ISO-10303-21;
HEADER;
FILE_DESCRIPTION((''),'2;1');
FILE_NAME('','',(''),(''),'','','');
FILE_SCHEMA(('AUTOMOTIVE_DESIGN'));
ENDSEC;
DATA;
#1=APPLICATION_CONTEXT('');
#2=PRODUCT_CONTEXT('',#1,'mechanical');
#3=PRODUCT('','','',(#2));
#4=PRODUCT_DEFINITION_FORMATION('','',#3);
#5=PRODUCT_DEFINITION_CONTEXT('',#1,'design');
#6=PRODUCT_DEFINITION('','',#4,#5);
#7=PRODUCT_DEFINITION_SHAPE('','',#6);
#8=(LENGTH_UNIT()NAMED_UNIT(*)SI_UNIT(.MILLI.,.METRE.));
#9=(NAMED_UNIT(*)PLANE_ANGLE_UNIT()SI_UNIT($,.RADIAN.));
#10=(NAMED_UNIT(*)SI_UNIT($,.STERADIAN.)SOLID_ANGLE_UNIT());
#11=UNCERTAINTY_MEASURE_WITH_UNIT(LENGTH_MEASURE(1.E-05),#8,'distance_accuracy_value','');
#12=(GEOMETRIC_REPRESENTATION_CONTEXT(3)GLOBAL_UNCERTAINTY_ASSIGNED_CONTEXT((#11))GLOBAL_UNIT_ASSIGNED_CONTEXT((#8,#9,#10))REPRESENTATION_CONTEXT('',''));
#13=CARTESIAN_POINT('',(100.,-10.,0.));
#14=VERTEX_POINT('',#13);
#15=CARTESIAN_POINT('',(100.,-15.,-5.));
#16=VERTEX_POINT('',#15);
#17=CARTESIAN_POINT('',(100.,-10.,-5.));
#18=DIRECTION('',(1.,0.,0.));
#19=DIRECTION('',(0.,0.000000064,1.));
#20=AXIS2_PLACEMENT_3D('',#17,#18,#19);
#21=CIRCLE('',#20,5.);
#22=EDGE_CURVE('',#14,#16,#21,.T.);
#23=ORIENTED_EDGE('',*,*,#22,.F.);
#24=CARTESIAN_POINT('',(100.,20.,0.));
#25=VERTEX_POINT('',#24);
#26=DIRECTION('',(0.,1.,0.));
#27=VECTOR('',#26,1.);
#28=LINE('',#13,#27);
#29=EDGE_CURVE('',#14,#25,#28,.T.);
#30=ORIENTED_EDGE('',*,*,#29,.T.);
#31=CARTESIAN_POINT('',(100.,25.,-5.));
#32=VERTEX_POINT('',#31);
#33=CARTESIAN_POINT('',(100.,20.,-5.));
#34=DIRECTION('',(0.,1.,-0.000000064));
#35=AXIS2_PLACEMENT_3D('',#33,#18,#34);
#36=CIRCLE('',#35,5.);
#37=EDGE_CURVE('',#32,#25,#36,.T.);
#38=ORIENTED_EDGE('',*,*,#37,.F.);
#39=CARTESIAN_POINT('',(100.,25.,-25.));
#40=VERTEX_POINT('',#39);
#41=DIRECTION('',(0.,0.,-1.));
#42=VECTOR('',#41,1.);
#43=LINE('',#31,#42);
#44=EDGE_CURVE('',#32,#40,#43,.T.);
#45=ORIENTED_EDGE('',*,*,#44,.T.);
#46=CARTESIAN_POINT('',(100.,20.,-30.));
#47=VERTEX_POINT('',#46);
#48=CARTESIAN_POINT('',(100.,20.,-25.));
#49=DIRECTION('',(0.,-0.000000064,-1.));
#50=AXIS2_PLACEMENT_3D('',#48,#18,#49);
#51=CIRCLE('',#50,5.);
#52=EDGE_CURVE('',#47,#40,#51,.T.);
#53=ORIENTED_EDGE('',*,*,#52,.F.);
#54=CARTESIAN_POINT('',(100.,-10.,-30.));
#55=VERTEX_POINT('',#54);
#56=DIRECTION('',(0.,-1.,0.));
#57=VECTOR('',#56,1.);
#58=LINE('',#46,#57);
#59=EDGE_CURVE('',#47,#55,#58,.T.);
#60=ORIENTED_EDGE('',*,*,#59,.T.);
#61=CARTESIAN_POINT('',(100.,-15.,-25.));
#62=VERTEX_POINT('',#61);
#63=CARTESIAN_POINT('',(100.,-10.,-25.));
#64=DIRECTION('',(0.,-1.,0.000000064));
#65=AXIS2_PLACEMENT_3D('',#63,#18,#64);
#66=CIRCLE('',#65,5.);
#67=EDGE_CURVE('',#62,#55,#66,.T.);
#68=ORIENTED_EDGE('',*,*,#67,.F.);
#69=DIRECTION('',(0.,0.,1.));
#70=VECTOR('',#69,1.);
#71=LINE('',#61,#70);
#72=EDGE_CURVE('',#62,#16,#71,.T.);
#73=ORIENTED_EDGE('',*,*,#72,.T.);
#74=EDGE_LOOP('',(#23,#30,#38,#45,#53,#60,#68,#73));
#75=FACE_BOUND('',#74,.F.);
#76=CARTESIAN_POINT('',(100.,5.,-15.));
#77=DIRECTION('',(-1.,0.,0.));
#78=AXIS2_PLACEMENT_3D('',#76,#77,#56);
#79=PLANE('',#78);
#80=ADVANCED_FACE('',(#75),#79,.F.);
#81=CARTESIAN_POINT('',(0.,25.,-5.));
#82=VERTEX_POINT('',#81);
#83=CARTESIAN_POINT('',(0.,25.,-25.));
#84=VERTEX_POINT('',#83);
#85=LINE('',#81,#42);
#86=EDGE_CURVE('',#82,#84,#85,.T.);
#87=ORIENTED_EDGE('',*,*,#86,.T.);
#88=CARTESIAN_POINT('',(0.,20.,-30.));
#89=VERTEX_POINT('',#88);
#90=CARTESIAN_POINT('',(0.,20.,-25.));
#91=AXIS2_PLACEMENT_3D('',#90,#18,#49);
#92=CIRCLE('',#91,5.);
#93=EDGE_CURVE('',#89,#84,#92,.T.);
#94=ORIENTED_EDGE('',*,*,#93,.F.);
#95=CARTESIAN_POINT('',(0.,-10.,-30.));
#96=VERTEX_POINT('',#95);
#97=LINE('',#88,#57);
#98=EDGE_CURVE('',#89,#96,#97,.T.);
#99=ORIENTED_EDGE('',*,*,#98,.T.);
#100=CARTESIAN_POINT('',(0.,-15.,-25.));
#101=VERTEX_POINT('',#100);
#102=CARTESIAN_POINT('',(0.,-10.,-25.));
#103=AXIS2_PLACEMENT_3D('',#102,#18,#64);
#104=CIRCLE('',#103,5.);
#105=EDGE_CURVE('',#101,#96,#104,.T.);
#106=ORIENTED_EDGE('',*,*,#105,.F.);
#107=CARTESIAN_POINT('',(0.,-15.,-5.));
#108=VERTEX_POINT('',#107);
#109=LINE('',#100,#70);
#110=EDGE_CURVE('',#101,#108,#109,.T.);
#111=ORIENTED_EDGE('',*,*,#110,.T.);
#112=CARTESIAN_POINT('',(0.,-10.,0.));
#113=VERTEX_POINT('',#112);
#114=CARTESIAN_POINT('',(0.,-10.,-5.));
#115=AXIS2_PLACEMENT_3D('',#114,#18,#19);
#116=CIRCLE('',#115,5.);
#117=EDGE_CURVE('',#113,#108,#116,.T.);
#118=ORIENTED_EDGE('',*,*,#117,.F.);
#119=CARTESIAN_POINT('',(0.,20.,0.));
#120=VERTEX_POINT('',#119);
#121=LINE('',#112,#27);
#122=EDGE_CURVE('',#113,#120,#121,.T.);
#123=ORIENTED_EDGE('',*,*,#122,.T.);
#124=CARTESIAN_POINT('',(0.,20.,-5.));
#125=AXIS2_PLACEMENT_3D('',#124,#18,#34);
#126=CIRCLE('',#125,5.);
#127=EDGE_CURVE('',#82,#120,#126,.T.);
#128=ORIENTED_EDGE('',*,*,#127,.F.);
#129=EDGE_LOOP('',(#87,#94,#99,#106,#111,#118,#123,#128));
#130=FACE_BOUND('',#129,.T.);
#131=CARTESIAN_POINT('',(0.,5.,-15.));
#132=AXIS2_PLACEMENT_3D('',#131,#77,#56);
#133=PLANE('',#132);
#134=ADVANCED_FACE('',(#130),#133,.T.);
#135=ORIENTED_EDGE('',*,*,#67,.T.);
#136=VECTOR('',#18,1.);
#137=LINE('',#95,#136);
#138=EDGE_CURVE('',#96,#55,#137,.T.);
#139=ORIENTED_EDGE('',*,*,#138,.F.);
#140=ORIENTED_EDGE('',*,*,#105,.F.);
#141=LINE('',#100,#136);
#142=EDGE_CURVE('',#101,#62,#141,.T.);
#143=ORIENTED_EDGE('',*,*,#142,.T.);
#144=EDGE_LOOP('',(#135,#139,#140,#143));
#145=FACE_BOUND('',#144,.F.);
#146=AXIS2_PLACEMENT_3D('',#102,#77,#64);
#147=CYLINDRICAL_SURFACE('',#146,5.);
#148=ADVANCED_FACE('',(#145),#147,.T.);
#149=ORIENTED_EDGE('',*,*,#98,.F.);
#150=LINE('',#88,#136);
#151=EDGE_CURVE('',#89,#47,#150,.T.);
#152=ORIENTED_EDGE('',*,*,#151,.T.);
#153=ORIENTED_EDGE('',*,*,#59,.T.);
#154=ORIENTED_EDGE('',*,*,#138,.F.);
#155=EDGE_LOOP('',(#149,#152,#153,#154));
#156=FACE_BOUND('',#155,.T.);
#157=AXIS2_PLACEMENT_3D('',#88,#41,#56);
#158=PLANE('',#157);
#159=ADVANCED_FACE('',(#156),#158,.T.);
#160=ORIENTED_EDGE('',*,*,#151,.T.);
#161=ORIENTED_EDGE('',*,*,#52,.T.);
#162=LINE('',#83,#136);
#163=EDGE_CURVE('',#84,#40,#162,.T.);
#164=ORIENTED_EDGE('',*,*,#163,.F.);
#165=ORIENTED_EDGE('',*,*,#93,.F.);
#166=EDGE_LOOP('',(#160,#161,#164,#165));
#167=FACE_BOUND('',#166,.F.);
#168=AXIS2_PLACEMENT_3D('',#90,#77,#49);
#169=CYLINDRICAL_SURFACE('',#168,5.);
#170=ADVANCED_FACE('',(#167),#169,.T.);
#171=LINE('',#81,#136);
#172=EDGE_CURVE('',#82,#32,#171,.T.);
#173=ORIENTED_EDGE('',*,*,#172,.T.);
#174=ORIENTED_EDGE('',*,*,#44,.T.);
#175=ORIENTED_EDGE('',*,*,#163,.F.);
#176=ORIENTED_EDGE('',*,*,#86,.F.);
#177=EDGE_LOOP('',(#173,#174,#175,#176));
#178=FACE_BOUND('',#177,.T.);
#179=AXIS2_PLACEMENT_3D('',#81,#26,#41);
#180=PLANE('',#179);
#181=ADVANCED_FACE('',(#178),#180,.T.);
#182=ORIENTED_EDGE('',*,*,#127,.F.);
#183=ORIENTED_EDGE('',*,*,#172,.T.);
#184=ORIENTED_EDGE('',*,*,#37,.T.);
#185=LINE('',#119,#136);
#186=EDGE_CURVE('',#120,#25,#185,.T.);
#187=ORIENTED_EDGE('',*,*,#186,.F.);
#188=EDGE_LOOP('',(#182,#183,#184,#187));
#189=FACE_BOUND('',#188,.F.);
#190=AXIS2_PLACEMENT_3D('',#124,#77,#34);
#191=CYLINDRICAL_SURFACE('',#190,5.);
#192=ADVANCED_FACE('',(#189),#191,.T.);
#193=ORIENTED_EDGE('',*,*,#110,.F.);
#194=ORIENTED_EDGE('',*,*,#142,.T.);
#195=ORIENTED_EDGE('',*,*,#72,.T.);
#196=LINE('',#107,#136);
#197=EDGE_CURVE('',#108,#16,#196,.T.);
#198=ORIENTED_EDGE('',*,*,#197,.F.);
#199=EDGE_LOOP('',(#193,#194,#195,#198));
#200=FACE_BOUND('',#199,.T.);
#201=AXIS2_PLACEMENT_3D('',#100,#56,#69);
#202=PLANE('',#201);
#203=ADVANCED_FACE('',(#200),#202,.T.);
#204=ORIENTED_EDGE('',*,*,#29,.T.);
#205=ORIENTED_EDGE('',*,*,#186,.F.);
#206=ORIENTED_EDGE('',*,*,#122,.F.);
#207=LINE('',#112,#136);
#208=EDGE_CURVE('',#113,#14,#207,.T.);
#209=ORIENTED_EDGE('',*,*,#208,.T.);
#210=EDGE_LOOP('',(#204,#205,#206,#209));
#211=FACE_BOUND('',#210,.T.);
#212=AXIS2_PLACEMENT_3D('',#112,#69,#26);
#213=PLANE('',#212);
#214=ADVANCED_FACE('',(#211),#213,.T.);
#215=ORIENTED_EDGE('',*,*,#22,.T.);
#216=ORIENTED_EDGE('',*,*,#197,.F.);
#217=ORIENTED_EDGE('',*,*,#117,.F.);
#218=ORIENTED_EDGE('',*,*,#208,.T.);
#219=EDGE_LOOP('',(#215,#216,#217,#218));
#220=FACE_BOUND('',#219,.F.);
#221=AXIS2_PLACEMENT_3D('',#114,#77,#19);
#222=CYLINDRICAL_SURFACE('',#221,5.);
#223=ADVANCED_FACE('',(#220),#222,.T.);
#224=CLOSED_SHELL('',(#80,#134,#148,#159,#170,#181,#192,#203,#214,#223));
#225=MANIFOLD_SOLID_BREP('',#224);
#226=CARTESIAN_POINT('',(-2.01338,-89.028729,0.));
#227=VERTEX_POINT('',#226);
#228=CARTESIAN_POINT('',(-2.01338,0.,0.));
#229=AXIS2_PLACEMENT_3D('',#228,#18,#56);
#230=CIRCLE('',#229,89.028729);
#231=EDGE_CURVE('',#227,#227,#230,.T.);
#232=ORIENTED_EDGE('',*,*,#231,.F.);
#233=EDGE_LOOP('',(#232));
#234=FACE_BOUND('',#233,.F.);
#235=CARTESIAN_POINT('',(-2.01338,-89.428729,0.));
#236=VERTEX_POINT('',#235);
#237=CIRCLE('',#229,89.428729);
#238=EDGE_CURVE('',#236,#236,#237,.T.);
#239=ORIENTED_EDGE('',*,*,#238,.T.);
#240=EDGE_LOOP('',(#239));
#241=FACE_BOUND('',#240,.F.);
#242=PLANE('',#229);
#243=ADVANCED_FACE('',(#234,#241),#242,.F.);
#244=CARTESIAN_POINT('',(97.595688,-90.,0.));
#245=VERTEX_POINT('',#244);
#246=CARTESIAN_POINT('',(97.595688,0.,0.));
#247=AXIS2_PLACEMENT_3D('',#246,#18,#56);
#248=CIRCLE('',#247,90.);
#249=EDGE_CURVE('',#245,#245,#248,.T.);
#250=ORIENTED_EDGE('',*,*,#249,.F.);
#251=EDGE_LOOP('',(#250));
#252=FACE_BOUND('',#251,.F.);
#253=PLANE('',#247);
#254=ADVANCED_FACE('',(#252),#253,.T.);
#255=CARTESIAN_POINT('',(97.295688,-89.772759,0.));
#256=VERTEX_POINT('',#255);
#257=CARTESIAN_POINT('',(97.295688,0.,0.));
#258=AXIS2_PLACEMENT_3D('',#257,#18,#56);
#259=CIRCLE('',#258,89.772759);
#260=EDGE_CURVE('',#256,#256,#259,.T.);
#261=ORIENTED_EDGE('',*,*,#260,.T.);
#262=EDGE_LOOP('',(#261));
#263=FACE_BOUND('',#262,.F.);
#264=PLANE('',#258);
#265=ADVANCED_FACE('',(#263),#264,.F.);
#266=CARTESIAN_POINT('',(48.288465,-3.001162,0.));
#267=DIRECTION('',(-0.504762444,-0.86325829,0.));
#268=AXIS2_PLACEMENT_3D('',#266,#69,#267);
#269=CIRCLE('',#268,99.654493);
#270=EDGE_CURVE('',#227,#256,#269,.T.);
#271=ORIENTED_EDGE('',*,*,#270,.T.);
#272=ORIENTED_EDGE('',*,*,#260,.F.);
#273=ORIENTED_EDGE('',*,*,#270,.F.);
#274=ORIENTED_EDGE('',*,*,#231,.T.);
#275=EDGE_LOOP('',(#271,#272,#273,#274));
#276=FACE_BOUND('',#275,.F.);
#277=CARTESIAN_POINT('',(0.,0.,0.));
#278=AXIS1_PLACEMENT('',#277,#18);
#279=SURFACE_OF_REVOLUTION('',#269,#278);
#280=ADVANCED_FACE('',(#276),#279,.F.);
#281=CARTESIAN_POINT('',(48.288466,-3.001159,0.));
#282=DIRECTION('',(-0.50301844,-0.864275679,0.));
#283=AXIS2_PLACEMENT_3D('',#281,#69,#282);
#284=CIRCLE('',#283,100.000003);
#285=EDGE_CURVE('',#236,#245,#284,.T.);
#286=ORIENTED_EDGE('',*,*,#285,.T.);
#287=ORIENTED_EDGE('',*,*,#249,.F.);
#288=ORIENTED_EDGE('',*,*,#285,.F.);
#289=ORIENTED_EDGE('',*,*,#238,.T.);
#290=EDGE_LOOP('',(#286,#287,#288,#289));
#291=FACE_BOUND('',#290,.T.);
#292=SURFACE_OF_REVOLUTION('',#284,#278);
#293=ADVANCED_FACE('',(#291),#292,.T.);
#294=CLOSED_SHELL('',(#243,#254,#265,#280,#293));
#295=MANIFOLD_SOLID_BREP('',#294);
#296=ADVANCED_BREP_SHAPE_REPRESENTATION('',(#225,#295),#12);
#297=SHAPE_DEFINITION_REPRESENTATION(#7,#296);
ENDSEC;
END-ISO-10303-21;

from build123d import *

# Parameters (mm, degrees)
EXTRUDE004_DEPTH = 100


with BuildPart() as extrude004:
    # Sketch → Extrude004 (new body)
    with BuildSketch(Plane.YZ):
        with BuildLine():
            Line((-10, 0), (20, 0))
            ThreePointArc((25, -5), (23.535534, -1.464466), (20, 0))
            Line((25, -5), (25, -25))
            ThreePointArc((20, -30), (23.535534, -28.535534), (25, -25))
            Line((20, -30), (-10, -30))
            ThreePointArc((-15, -25), (-13.535534, -28.535534), (-10, -30))
            Line((-15, -25), (-15, -5))
            ThreePointArc((-10, 0), (-13.535534, -1.464466), (-15, -5))
        make_face()
    extrude(amount=EXTRUDE004_DEPTH)


with BuildPart() as revolve_body:
    # Sketch001 → Revolve (revolve)
    with BuildSketch(Plane.XY):
        with BuildLine():
            ThreePointArc((-2.01338, -89.428729), (47.714962, -102.999517), (97.595688, -90))
            Line((97.595688, 0), (97.595688, -90))
            Line((97.295688, 0), (97.595688, 0))
            Line((97.295688, -89.772759), (97.295688, 0))
            ThreePointArc((-2.01338, -89.028729), (47.541868, -102.652858), (97.295688, -89.772759))
            Line((-2.01338, -89.428729), (-2.01338, -89.028729))
        make_face()
    revolve(axis=Axis((0, 0, 0), (1, 0, 0)))


solid = Compound([extrude004.part, revolve_body.part])
